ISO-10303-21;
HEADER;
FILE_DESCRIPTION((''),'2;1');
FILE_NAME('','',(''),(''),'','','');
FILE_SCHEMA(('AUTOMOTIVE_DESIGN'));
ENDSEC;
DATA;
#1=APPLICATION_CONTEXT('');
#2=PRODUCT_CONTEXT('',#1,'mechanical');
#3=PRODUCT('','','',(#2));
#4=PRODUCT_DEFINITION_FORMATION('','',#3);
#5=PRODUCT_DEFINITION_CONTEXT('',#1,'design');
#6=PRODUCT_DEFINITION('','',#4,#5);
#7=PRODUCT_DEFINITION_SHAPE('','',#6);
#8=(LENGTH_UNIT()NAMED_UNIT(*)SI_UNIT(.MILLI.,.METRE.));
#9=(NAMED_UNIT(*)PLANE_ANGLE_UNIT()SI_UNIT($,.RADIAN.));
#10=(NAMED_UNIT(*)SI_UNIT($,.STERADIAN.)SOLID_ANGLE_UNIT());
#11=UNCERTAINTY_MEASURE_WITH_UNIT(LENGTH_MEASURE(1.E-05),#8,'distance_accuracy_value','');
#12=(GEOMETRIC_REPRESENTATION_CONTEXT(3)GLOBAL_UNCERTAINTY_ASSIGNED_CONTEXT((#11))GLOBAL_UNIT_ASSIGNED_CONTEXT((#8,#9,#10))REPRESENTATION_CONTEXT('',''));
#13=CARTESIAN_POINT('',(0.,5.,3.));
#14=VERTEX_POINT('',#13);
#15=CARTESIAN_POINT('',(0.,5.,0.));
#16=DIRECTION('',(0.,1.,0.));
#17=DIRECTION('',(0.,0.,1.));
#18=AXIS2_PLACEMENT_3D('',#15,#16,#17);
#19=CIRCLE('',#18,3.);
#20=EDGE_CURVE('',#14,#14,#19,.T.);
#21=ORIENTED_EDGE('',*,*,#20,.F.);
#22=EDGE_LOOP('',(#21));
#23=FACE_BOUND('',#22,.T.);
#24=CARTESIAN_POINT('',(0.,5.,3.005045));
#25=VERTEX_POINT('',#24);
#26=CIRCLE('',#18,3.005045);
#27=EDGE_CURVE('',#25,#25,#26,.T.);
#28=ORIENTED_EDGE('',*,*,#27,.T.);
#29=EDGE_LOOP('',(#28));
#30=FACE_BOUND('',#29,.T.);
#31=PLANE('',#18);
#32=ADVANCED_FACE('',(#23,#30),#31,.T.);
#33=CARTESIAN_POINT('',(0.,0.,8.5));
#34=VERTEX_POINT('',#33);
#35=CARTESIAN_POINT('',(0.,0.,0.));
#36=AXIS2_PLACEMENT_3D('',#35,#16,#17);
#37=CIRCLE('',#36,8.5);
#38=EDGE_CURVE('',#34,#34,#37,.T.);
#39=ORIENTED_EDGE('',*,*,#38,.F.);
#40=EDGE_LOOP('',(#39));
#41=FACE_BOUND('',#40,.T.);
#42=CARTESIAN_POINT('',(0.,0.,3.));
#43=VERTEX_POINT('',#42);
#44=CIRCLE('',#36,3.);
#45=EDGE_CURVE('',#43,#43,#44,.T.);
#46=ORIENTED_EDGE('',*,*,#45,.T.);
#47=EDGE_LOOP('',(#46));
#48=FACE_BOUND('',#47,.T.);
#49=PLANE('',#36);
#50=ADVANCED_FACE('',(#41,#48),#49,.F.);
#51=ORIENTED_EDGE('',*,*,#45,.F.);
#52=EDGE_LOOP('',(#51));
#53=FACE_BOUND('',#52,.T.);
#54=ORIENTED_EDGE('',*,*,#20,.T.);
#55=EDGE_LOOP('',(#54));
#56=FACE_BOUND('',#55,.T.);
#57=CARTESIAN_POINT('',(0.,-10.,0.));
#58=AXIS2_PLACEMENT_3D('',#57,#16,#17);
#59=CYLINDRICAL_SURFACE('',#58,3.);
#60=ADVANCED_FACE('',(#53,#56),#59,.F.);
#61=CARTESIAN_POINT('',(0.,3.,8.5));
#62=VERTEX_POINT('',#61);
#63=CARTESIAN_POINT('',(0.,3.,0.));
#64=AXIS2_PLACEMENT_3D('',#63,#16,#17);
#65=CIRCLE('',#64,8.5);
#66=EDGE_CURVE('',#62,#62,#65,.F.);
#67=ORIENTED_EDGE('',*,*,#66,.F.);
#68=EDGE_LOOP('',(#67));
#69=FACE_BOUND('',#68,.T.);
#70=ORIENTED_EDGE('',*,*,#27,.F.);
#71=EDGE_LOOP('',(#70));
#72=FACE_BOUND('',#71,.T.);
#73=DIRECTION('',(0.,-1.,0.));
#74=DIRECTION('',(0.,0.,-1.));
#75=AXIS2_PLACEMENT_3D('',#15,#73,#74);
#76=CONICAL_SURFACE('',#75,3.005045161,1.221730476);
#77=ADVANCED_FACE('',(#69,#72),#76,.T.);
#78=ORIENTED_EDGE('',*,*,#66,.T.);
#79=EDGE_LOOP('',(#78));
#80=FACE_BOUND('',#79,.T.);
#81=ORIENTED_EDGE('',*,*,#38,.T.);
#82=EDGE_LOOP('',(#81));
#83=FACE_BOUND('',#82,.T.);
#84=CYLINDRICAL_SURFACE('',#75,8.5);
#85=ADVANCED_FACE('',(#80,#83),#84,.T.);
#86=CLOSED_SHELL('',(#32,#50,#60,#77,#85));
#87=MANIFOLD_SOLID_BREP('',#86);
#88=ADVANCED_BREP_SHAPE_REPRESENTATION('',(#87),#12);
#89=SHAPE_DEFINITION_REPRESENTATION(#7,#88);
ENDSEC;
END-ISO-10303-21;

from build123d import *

# Parameters (mm, degrees)
CROQUIS1_R              = 8.5
SALIENTE_EXTRUIR1_DEPTH = 5
CROQUIS2_R              = 3
CORTAR_EXTRUIR1_DEPTH   = 15
CHAFL_N1_SIZE           = 2
CHAFL_N1_SIZE2          = 5.494954839


with BuildPart() as part:
    # Croquis1 → Saliente-Extruir1 (new body)
    with BuildSketch(Plane(origin=(0, 0, 0), x_dir=(1, 0, 0), z_dir=(0, 1, 0))):
        Circle(CROQUIS1_R)
    extrude(amount=SALIENTE_EXTRUIR1_DEPTH)

    # Croquis2 → Cortar-Extruir1 (cut)
    with BuildSketch(Plane(origin=(0, 5, 0), x_dir=(1, 0, 0), z_dir=(0, 1, 0))):
        Circle(CROQUIS2_R)
    extrude(amount=-CORTAR_EXTRUIR1_DEPTH, mode=Mode.SUBTRACT)

    # Chaflán1
    chafl_n1_edges = [part.edges().sort_by_distance(p)[0] for p in [
        (-8.5, 5, 0),
    ]]
    chafl_n1_side = [part.faces().sort_by_distance(p)[0] for p in [
        (-8.5, 2.5, 0),
    ]]
    chamfer(chafl_n1_edges, length=CHAFL_N1_SIZE, length2=CHAFL_N1_SIZE2, reference=chafl_n1_side[0])


solid = part.part
